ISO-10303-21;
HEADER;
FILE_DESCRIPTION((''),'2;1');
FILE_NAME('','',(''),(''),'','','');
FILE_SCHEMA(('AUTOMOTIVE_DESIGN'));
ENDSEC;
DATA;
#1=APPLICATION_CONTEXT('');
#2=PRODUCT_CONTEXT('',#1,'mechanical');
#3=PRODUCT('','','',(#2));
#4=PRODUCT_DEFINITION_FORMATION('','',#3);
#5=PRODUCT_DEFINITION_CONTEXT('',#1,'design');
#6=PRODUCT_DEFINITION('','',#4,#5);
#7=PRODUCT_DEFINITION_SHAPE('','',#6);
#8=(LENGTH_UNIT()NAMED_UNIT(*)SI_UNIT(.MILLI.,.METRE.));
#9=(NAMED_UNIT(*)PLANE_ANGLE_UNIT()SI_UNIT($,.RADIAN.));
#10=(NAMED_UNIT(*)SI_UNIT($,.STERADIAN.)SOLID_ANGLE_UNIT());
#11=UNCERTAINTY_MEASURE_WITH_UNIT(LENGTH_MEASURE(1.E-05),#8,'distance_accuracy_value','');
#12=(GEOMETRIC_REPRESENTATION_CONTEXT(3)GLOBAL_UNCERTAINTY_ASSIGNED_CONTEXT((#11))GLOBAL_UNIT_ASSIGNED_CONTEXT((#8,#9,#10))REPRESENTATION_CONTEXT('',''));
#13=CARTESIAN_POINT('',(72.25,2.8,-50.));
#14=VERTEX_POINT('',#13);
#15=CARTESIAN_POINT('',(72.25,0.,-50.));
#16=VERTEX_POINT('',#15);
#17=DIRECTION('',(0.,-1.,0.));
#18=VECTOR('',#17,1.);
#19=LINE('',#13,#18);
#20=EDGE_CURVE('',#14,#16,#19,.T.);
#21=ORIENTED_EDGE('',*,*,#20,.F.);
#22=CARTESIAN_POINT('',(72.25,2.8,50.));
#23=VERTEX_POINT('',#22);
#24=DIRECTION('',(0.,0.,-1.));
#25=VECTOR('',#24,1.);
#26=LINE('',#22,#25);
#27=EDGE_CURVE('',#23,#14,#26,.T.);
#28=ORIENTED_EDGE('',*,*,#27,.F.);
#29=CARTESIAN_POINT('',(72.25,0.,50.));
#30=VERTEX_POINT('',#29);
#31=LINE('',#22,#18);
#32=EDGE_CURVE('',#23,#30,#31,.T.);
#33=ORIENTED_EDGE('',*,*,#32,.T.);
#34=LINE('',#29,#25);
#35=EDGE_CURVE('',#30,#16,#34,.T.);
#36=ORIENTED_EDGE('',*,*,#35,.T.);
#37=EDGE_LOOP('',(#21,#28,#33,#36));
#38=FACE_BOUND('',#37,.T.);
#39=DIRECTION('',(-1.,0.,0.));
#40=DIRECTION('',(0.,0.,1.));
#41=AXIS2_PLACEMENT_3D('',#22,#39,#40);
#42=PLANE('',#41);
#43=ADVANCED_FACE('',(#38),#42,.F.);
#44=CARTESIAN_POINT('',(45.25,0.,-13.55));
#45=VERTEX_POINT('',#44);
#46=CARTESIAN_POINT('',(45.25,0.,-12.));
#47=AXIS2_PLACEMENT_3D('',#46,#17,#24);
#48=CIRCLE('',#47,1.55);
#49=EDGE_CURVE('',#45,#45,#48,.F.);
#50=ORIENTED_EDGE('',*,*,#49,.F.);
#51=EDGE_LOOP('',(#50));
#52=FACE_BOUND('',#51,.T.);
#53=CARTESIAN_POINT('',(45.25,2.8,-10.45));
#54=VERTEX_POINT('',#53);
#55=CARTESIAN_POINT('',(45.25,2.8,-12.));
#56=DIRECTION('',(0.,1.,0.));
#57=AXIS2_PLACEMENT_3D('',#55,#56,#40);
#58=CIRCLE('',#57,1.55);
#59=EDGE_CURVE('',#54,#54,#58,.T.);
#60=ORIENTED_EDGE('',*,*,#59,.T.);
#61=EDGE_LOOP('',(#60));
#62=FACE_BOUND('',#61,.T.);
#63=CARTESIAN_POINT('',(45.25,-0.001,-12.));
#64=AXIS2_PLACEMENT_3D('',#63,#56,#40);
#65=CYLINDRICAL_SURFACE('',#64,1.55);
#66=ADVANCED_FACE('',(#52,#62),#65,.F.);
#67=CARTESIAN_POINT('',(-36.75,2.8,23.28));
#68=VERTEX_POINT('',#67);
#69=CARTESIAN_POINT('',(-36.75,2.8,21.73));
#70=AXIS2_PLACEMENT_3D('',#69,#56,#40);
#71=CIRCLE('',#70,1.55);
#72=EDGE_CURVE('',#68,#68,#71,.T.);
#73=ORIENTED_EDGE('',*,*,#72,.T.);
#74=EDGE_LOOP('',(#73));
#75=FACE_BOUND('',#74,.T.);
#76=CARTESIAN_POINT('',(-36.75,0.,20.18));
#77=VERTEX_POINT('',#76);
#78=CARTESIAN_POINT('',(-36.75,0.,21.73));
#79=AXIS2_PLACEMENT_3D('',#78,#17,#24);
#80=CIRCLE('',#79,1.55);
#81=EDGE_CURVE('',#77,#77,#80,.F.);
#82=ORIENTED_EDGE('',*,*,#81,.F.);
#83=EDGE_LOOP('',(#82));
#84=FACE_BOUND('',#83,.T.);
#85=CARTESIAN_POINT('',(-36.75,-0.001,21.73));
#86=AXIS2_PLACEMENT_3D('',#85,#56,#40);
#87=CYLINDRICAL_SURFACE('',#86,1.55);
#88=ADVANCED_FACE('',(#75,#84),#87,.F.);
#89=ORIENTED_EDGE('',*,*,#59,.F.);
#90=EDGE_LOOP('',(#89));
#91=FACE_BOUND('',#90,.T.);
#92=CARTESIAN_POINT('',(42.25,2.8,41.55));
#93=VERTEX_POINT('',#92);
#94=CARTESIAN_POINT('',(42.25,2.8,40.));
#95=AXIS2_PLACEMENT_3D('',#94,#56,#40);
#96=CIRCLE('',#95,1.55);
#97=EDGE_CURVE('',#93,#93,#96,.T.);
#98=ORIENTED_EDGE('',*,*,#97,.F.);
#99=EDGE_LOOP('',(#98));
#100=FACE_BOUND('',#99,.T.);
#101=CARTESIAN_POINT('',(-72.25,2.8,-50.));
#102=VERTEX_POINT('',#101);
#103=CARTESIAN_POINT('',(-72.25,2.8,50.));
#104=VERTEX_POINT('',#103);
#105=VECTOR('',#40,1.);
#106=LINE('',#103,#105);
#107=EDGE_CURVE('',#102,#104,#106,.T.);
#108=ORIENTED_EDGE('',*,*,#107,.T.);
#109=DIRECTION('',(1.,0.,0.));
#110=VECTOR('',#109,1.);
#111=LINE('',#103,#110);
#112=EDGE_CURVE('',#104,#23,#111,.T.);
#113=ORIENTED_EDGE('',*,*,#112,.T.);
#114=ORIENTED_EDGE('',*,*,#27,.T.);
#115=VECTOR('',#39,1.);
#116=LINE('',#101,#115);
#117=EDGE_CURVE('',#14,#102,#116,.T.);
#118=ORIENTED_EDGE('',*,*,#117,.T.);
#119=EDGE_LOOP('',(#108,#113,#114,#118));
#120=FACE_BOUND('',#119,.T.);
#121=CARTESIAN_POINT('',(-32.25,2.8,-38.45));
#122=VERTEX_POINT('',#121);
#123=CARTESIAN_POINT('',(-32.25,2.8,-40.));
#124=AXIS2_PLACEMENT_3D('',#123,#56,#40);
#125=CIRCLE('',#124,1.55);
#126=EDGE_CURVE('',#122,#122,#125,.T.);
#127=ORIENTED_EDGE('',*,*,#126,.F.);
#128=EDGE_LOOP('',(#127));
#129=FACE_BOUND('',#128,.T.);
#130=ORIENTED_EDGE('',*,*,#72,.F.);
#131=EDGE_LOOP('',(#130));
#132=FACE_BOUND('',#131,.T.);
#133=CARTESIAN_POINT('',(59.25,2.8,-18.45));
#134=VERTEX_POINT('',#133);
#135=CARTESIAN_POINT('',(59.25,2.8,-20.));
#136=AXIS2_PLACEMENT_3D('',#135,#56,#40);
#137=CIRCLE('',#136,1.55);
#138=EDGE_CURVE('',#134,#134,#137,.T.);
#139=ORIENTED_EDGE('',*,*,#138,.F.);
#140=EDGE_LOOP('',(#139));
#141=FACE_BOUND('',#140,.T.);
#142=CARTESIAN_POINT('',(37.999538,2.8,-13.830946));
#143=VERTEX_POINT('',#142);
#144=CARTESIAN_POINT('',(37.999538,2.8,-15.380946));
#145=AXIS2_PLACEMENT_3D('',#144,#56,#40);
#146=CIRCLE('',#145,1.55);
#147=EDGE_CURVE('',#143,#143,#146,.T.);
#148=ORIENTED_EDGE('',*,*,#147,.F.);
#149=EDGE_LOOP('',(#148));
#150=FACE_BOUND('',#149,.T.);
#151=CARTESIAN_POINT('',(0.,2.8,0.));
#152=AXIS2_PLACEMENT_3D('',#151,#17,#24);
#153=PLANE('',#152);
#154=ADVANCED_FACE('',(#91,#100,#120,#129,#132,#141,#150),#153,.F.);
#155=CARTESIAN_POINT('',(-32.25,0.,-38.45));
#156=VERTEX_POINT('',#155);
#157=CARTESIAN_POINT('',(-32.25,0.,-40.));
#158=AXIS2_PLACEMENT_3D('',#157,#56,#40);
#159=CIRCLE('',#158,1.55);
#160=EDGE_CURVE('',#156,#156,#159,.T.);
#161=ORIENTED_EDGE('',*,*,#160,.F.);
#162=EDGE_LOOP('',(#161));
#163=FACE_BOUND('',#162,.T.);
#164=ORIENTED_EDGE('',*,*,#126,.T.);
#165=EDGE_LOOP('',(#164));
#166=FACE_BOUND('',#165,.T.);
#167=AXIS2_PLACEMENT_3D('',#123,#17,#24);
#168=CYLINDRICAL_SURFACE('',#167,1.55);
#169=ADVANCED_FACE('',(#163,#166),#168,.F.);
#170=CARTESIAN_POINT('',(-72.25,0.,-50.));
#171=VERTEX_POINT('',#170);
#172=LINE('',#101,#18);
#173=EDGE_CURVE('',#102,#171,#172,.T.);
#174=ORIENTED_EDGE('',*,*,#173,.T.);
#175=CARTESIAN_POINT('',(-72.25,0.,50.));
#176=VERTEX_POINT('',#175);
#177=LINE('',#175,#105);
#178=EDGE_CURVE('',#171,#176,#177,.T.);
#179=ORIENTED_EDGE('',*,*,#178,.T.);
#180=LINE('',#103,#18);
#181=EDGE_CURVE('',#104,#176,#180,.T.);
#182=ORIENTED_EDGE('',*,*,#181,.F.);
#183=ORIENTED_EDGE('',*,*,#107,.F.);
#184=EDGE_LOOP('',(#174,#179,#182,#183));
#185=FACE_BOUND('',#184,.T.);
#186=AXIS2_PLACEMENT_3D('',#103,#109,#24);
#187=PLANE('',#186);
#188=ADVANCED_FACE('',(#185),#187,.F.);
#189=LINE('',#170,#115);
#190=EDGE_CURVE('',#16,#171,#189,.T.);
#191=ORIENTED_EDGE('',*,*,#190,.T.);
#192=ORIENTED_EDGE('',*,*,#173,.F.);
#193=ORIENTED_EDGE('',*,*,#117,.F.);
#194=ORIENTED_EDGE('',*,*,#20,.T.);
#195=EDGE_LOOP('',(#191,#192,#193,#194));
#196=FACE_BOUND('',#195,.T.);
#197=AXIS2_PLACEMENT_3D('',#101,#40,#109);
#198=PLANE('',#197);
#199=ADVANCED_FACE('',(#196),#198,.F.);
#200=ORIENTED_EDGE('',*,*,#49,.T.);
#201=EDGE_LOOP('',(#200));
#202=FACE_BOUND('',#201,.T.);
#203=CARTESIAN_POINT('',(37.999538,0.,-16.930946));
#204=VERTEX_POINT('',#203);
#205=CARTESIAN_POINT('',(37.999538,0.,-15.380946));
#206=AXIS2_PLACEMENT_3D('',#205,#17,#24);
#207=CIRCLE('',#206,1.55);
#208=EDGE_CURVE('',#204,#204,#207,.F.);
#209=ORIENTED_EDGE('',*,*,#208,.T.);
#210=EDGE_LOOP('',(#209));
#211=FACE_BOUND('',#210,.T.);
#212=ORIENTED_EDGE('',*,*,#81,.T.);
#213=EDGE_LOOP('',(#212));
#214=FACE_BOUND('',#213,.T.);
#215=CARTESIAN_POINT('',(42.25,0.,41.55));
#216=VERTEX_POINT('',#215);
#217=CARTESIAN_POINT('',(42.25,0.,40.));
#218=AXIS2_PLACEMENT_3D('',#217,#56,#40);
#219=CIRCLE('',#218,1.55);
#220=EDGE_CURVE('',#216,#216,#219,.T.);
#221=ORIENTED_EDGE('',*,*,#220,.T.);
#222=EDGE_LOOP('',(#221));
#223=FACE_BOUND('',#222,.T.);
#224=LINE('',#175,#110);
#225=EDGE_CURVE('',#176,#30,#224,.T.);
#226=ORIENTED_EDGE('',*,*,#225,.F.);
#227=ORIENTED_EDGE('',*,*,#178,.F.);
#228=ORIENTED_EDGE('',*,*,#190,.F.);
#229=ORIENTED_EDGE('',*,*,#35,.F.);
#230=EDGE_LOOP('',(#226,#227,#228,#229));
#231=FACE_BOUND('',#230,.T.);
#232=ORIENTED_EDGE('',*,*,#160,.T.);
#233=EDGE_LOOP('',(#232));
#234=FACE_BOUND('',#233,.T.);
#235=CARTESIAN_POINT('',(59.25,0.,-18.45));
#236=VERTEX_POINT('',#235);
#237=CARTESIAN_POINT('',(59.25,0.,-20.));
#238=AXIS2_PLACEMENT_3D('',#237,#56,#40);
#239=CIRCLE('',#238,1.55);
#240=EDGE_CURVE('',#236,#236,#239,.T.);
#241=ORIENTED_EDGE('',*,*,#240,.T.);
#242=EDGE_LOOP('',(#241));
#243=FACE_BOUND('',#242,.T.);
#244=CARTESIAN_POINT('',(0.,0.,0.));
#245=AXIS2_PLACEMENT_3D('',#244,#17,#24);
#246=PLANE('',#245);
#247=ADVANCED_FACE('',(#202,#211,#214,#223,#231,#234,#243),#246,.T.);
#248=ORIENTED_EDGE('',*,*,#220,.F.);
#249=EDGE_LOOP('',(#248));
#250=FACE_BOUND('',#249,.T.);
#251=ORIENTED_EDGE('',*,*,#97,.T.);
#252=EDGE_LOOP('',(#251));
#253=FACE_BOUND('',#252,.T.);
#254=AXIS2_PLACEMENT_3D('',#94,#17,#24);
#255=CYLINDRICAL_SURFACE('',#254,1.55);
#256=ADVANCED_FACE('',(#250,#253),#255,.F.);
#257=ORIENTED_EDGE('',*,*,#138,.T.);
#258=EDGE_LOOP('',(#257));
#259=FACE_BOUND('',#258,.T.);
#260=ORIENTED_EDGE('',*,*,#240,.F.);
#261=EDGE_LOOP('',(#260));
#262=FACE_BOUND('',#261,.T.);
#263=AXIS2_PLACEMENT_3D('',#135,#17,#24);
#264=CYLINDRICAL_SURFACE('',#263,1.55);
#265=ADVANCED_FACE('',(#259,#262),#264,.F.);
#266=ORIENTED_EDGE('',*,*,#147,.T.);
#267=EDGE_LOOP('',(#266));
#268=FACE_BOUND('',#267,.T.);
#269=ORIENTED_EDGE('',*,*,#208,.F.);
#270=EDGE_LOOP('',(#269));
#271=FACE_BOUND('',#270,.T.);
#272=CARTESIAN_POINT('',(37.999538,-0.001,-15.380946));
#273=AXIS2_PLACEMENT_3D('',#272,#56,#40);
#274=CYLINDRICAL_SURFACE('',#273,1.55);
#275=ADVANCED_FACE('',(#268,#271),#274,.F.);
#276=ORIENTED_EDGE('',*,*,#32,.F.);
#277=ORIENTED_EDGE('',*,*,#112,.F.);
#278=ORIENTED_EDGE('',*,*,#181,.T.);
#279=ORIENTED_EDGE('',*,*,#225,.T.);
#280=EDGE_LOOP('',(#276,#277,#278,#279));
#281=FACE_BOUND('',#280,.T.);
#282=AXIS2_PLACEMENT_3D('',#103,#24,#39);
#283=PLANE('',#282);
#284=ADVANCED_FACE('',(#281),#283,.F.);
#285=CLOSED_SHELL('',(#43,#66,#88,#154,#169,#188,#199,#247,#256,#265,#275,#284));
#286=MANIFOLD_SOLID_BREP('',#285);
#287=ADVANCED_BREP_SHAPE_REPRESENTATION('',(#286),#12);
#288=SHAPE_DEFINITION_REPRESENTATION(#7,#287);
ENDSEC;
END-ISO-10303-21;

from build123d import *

# Parameters (mm, degrees)
SKETCH1_W           = 144.5
SKETCH1_H           = 100
SKETCH1_R           = 1.55
BOSS_EXTRUDE1_DEPTH = 2.8
CUT_EXTRUDE1_REACH  = 4.8
SKETCH2_R           = 1.55
CUT_EXTRUDE2_REACH  = 4.8
SKETCH3_R           = 1.55


with BuildPart() as part:
    # Sketch1 → Boss-Extrude1 (new body)
    with BuildSketch(Plane(origin=(0, 0, 0), x_dir=(1, 0, 0), z_dir=(0, 1, 0))):
        Rectangle(SKETCH1_W, SKETCH1_H)
        with Locations((-32.25, 40)):
            Circle(SKETCH1_R, mode=Mode.SUBTRACT)
        with Locations((59.25, 20)):
            Circle(SKETCH1_R, mode=Mode.SUBTRACT)
        with Locations((42.25, -40)):
            Circle(SKETCH1_R, mode=Mode.SUBTRACT)
    extrude(amount=BOSS_EXTRUDE1_DEPTH)

    # Sketch2 → Cut-Extrude1 (cut, up to next)
    with BuildSketch(Plane(origin=(0, 2.8, 0), x_dir=(1, 0, 0), z_dir=(0, 1, 0)), mode=Mode.PRIVATE) as cut_extrude1_sk1:
        with Locations((-36.75, -21.73)):
            Circle(SKETCH2_R)
    cut_extrude1_tool1 = extrude(cut_extrude1_sk1.sketch, amount=-CUT_EXTRUDE1_REACH, mode=Mode.PRIVATE) & part.part
    add(cut_extrude1_tool1.solids().sort_by_distance((-36.75, 2.8, 21.73))[0], mode=Mode.SUBTRACT)

    # Sketch3 → Cut-Extrude2 (cut, up to next)
    with BuildSketch(Plane(origin=(0, 2.8, 0), x_dir=(1, 0, 0), z_dir=(0, 1, 0)), mode=Mode.PRIVATE) as cut_extrude2_sk1:
        with Locations((37.999537704, 15.380946094)):
            Circle(SKETCH3_R)
    cut_extrude2_tool1 = extrude(cut_extrude2_sk1.sketch, amount=-CUT_EXTRUDE2_REACH, mode=Mode.PRIVATE) & part.part
    add(cut_extrude2_tool1.solids().sort_by_distance((37.999538, 2.8, -15.380946))[0], mode=Mode.SUBTRACT)
    # Sketch3 → Cut-Extrude2 (cut, up to next)
    with BuildSketch(Plane(origin=(0, 2.8, 0), x_dir=(1, 0, 0), z_dir=(0, 1, 0)), mode=Mode.PRIVATE) as cut_extrude2_sk2:
        with Locations((45.25, 12)):
            Circle(SKETCH3_R)
    cut_extrude2_tool2 = extrude(cut_extrude2_sk2.sketch, amount=-CUT_EXTRUDE2_REACH, mode=Mode.PRIVATE) & part.part
    add(cut_extrude2_tool2.solids().sort_by_distance((45.25, 2.8, -12))[0], mode=Mode.SUBTRACT)


solid = part.part
